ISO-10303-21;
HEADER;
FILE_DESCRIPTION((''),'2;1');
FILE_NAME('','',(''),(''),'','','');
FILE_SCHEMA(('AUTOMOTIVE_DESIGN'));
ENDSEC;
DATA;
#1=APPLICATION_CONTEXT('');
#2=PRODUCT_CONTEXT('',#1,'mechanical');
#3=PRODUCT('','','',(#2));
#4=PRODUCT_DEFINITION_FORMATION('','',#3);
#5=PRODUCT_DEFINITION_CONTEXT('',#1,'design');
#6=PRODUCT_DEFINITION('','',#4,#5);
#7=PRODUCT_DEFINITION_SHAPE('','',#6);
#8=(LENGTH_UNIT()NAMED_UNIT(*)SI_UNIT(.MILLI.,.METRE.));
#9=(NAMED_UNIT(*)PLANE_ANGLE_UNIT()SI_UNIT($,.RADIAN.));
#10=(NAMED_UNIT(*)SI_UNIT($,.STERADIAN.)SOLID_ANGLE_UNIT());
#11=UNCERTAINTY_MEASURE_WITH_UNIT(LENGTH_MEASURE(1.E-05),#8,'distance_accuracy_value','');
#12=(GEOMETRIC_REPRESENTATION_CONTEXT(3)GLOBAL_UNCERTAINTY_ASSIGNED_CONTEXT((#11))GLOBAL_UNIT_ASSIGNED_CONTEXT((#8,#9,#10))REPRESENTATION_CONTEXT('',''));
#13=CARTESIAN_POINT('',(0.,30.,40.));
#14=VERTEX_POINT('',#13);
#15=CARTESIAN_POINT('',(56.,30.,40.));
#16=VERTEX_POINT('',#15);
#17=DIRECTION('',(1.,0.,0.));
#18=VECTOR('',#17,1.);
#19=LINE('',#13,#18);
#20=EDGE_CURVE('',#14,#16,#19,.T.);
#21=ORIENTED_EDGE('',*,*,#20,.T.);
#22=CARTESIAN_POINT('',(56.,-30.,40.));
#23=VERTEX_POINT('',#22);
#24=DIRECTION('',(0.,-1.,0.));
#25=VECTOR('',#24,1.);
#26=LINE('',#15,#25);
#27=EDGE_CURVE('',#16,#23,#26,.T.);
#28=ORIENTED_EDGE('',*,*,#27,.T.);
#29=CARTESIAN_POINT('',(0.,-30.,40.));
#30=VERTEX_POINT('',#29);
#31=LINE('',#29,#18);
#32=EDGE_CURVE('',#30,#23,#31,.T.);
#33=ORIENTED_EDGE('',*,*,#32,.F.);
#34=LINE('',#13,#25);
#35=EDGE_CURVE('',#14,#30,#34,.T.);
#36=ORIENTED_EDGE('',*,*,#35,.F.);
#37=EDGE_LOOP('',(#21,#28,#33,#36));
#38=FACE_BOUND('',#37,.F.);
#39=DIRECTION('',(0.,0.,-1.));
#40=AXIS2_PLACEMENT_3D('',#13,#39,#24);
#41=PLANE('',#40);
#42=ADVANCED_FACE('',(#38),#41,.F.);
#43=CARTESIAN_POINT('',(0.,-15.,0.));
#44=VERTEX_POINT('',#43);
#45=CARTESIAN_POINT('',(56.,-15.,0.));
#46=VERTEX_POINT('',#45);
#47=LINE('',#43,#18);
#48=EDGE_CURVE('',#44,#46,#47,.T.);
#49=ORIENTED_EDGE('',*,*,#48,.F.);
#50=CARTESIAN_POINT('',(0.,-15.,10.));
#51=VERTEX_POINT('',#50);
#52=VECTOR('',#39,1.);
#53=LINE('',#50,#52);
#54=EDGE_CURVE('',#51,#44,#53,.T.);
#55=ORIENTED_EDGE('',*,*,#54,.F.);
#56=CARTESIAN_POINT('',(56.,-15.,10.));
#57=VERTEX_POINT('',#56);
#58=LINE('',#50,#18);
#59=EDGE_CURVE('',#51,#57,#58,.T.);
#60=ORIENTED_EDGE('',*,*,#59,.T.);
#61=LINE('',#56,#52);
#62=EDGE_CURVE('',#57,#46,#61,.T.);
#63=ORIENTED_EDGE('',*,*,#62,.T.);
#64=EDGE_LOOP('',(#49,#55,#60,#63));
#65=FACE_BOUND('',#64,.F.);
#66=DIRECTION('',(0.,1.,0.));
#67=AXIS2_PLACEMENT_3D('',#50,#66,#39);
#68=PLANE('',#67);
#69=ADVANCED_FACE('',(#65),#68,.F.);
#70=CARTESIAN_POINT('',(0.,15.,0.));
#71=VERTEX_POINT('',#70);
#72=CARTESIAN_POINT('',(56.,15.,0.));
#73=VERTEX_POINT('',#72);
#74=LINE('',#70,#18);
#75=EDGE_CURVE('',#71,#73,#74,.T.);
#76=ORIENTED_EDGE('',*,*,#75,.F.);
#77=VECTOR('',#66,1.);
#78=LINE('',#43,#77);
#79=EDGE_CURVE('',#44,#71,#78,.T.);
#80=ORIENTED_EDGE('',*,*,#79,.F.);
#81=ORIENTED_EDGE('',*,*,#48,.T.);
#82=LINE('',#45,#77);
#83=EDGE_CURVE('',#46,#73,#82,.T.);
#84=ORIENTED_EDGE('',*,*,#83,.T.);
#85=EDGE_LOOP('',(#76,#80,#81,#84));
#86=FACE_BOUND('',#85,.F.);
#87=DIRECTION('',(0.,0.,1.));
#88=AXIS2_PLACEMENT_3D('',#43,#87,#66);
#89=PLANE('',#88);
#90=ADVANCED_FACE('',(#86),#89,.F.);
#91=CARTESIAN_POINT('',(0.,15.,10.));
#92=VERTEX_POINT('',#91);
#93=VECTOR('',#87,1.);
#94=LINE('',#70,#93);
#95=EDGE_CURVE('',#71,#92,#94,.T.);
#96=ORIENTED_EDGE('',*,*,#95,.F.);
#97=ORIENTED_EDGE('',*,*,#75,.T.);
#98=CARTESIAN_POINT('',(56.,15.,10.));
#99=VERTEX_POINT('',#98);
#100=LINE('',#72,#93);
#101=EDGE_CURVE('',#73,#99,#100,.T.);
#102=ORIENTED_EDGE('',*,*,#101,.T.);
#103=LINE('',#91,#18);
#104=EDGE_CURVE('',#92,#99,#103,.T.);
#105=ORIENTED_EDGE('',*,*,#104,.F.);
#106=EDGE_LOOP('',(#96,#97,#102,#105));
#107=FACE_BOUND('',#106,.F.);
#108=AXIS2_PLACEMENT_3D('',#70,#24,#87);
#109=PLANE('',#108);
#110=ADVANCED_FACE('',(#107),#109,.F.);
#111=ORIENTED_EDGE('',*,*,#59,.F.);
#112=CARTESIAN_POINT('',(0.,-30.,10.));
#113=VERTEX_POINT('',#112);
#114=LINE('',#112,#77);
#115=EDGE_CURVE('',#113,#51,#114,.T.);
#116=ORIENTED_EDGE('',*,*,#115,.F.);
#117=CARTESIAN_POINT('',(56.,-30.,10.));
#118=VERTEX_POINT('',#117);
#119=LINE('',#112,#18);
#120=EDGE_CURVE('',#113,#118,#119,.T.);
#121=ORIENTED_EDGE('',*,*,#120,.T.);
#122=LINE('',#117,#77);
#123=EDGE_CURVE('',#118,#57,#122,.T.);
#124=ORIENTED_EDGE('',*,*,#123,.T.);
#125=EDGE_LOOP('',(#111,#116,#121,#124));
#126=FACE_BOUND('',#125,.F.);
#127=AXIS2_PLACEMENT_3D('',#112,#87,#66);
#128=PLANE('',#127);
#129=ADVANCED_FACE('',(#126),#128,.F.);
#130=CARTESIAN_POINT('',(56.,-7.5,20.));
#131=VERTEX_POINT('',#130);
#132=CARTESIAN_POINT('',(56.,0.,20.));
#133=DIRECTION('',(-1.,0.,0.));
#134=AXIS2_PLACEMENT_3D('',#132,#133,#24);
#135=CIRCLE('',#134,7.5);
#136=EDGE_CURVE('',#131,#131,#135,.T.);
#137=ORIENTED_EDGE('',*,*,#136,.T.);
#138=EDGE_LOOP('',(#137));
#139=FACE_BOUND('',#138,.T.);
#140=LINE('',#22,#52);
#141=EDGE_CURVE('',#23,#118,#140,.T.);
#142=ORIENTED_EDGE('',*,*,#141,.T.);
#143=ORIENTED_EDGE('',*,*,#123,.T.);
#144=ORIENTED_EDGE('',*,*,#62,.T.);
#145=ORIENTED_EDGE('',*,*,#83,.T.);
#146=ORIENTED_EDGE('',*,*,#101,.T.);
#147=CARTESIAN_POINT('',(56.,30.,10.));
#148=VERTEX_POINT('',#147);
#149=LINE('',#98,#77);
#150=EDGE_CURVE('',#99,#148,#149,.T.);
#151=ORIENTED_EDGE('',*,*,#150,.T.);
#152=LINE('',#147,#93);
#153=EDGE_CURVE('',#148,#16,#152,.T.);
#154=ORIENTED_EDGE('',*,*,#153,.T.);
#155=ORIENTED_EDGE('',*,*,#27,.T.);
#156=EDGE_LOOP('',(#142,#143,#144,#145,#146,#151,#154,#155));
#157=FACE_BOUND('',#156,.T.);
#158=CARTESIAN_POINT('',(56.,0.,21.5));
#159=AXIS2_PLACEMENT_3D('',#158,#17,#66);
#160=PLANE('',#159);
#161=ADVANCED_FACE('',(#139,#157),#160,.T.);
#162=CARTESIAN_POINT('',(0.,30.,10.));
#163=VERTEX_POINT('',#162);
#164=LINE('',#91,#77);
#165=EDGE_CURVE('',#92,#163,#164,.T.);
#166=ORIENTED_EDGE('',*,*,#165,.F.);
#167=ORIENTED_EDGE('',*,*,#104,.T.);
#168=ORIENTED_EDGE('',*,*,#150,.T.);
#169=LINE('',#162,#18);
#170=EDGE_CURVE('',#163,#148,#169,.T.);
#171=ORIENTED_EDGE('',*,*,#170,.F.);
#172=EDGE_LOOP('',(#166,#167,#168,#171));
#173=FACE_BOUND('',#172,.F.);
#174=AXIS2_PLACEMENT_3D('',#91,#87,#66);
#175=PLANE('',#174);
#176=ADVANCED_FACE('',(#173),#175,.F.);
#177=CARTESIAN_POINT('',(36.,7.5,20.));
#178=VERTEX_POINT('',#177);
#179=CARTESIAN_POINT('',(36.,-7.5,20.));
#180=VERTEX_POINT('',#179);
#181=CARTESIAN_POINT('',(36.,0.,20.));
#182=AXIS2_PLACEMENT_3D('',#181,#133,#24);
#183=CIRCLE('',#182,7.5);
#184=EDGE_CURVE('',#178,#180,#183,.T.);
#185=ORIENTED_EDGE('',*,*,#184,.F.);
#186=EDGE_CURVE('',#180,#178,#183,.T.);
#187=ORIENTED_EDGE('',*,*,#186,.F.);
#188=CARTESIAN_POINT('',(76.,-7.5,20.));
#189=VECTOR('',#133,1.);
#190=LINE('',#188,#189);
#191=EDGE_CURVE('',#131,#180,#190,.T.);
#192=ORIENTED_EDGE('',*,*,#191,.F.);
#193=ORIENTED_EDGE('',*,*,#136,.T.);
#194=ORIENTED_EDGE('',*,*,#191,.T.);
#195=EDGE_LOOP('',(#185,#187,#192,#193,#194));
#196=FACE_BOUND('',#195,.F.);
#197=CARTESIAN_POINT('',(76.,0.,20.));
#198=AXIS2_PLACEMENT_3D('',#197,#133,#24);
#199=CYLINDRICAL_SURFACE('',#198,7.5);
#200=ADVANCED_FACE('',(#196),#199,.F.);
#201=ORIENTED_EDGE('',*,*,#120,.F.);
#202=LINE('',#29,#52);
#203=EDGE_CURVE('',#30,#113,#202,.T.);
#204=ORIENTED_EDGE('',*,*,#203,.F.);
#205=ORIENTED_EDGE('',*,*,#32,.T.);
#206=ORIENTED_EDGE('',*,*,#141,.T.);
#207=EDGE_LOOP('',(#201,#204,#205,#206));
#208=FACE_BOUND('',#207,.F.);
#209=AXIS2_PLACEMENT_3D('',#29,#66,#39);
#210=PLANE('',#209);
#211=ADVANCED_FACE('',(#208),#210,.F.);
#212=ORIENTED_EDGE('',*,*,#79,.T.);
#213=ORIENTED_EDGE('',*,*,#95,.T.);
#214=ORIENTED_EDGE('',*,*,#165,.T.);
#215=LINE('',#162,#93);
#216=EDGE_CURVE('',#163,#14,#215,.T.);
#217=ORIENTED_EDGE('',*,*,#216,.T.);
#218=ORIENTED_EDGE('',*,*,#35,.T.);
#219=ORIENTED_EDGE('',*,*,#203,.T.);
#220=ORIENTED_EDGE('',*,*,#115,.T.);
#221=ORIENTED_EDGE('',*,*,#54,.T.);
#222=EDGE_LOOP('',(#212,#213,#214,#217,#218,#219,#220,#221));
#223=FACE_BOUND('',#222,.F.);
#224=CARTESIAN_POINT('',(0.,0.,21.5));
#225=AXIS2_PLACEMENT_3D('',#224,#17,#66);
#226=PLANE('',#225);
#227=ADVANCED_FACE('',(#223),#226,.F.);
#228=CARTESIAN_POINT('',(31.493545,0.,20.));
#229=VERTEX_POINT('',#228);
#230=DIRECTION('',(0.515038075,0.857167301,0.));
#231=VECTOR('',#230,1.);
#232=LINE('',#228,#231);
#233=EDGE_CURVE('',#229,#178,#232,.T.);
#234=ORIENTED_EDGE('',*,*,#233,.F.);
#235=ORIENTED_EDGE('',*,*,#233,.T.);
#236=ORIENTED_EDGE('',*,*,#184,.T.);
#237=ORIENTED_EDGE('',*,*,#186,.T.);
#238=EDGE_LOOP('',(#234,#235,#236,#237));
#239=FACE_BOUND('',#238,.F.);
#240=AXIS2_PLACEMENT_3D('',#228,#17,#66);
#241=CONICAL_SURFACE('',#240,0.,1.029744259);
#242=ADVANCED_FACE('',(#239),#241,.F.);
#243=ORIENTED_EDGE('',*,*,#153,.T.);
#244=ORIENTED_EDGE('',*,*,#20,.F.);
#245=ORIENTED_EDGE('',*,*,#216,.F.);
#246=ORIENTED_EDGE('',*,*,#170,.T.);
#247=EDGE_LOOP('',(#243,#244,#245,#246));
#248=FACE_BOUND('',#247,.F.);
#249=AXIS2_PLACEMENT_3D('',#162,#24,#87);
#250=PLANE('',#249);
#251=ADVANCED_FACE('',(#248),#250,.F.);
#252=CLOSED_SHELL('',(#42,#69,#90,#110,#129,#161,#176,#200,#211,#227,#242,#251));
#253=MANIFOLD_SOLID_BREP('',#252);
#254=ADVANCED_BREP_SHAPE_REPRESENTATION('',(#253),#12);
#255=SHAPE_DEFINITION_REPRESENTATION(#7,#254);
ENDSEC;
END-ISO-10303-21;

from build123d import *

# Parameters (mm, degrees)
F1_DEPTH = 56
F3_D     = 15
F3_DEPTH = 20
F3_TIP   = 4.5064546427


with BuildPart() as f1:
    # F0 (on Right) → F1 (new body)
    with BuildSketch(Plane.YZ):
        Polygon((-15, 0), (0, 0), (15, 0), (15, 10), (30, 10), (30, 40), (0, 40), (-30, 40), (-30, 10), (-15, 10), align=None)
    extrude(amount=F1_DEPTH)

    # F3
    with Locations(Plane.YZ.offset(56)):
        with Locations((0, 20)):
            Hole(F3_D / 2, depth=F3_DEPTH)
            with Locations((0, 0, -(F3_DEPTH + F3_TIP / 2))):  # 118° drill point
                Cone(0, F3_D / 2, F3_TIP, mode=Mode.SUBTRACT)


solid = f1.part
